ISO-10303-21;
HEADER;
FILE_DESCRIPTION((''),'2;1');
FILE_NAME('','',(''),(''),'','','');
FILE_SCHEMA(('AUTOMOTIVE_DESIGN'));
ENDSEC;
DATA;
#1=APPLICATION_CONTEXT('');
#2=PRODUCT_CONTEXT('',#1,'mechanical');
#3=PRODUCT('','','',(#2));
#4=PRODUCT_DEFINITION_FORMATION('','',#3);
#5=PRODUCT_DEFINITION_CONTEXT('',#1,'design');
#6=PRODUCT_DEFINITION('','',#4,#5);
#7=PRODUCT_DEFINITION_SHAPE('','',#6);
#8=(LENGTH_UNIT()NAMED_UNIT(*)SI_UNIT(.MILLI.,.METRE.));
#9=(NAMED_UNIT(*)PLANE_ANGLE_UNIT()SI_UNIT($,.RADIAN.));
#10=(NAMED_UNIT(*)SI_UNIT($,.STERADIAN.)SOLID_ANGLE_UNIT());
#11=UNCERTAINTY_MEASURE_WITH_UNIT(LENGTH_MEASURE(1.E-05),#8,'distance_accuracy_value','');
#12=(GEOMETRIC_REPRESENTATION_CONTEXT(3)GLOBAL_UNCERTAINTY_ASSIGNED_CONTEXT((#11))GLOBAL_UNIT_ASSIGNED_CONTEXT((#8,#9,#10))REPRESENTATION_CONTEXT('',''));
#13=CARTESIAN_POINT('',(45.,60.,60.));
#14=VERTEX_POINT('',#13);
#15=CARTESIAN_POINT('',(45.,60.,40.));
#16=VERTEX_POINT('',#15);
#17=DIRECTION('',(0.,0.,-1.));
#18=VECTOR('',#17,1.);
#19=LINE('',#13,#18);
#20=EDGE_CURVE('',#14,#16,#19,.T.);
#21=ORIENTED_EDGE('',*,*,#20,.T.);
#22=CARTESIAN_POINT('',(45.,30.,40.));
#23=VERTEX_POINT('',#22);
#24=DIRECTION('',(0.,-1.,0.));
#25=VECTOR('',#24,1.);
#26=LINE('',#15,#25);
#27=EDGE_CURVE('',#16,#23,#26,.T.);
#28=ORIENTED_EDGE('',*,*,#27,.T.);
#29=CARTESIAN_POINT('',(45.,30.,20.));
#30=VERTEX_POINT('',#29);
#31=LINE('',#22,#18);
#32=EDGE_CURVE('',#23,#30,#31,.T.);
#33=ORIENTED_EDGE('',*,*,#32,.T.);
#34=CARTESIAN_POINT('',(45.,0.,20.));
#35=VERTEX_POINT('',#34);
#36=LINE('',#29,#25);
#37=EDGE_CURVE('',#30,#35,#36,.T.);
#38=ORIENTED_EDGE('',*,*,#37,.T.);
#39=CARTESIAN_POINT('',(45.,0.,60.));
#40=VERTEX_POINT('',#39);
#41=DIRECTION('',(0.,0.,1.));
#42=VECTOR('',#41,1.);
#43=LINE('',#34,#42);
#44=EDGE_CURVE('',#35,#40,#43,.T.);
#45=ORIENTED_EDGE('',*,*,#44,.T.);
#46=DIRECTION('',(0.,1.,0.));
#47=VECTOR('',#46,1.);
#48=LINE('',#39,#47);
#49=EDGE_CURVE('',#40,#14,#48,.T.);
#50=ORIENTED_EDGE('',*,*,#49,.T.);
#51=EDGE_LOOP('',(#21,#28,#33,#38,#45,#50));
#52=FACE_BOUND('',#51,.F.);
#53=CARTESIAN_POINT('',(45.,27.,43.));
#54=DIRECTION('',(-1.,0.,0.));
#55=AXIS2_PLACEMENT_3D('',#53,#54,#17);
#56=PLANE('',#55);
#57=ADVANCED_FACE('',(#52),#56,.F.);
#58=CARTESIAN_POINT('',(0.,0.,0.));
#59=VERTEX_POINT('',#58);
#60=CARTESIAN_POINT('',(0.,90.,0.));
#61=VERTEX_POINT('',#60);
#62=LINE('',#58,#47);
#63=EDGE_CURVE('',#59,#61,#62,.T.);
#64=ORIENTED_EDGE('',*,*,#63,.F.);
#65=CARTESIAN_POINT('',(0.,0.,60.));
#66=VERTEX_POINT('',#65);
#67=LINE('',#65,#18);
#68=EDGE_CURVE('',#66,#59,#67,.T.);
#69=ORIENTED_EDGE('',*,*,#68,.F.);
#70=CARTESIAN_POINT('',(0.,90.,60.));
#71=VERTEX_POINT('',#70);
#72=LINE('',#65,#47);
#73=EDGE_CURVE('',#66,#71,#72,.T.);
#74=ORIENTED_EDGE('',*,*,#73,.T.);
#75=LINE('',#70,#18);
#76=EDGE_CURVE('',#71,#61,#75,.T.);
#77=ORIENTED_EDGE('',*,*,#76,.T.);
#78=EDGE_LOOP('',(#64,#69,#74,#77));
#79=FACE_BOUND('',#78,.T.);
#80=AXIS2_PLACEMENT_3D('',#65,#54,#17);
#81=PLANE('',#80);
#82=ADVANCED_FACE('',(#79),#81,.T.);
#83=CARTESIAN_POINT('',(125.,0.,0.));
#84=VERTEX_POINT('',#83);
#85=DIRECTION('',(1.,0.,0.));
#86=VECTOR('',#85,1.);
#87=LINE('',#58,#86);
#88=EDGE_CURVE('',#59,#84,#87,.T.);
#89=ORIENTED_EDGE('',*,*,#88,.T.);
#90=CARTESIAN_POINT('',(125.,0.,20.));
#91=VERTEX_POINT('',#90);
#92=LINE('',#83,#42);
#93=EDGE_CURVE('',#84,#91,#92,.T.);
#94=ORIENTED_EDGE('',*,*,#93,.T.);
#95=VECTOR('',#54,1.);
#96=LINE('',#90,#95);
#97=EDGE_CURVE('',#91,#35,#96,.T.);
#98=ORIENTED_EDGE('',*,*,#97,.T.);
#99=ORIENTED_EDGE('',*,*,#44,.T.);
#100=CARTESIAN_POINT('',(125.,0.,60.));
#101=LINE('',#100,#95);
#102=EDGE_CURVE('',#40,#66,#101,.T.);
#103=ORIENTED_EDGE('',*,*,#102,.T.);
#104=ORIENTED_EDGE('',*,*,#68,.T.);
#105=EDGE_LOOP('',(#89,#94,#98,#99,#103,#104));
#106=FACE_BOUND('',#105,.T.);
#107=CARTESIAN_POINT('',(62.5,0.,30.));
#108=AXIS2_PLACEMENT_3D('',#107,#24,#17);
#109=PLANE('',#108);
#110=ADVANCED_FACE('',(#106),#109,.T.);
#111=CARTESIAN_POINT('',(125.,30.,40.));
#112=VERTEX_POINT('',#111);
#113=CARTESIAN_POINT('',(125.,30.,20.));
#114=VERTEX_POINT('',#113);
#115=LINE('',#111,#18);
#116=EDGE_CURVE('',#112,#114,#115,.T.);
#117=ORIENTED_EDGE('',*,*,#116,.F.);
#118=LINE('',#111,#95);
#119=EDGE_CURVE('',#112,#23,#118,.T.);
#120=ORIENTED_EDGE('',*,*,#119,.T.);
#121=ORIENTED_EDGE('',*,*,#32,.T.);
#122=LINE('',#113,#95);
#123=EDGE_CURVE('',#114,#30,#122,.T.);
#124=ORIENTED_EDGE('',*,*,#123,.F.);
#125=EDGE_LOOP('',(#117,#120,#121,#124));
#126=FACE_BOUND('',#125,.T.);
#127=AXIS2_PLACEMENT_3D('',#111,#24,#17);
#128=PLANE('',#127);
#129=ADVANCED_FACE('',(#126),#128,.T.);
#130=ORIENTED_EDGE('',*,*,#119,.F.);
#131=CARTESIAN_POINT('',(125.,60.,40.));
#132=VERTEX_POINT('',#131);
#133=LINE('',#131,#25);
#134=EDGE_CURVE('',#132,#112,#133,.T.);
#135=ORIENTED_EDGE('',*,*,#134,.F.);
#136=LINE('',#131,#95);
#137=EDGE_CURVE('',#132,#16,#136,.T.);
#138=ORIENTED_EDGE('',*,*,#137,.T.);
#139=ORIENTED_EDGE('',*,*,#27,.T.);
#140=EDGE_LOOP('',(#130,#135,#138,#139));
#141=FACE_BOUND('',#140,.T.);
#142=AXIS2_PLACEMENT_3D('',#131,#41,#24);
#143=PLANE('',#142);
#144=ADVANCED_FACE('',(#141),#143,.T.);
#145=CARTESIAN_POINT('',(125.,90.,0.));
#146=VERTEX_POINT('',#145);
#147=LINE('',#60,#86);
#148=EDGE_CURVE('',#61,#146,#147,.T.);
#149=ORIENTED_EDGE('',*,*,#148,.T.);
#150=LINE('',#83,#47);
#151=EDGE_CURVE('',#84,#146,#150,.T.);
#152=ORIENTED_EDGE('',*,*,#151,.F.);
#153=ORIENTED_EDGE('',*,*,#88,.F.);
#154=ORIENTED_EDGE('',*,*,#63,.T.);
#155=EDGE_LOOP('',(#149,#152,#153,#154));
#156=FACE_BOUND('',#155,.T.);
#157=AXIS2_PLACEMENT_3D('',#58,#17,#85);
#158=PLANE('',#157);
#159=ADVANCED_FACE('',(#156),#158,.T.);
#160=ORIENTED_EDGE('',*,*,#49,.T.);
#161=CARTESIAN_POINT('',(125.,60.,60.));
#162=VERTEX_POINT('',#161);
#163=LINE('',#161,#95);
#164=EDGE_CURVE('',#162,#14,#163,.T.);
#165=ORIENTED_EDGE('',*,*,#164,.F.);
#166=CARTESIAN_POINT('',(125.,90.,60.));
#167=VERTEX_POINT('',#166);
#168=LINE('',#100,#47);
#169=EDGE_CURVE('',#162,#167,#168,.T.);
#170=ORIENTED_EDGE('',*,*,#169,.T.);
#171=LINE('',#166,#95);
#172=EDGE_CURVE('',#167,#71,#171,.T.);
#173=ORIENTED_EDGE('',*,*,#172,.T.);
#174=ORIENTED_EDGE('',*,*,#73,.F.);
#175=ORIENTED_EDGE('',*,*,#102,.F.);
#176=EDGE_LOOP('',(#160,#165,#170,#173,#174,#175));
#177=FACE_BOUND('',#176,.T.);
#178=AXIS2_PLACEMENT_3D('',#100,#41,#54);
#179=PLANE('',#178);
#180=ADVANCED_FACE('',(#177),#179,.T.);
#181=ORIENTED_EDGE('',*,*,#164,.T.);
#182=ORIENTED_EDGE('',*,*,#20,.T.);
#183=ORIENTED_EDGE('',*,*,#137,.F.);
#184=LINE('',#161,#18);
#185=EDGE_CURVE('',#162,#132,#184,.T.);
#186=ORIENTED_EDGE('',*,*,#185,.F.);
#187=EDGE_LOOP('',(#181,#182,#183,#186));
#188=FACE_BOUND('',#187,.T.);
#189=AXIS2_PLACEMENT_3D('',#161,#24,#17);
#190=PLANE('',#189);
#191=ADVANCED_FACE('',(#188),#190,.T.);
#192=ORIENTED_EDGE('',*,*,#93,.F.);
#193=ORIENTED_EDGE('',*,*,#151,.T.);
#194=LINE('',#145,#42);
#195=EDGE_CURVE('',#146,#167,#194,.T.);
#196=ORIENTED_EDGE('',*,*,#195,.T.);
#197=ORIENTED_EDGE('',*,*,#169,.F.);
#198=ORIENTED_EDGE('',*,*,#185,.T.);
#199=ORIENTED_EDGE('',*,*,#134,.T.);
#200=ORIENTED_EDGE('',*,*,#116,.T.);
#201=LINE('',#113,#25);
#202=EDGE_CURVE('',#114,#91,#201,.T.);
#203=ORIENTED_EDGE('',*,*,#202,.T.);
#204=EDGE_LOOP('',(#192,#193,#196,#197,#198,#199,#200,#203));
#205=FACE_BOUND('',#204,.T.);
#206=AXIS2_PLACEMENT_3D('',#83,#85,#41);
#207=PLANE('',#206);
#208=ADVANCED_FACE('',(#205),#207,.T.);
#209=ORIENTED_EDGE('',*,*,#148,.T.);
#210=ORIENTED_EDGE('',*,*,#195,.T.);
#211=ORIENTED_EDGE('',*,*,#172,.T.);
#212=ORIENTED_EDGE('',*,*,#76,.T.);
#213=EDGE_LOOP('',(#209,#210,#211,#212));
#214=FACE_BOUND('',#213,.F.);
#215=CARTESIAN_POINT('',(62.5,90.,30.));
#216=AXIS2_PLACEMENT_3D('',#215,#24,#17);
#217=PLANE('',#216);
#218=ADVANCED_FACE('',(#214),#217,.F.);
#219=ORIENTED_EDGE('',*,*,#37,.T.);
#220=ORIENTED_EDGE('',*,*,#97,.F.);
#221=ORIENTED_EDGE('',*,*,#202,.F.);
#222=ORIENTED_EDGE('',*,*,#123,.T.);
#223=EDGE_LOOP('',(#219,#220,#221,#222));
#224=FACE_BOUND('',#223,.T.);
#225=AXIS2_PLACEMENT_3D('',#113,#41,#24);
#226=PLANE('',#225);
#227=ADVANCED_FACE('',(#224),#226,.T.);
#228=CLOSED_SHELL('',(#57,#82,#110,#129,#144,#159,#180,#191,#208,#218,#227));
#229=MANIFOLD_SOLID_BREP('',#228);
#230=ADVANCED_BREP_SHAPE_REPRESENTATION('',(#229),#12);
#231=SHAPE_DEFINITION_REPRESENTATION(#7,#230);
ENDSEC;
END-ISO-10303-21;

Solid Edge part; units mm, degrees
sketch "Sketch1" plane through (0, 0, 0) normal (0, -1, 0) x (1, 0, 0)
  line L0 (125, 60) -> (0, 60)
  line L1 (0, 60) -> (0, 0)
  line L2 (0, 0) -> (125, 0)
  line L3 (125, 0) -> (125, 60)
extrude "Protrusion1" add sketch "Sketch1" against normal blind 90
sketch "Sketch2" plane through (125, 45, 30) normal (1, 0, 0) x (0, 1, 0)
  line L0 (-45, -10) -> (-45, 30)
  line L1 (-45, 30) -> (15, 30)
  line L2 (15, 30) -> (15, 10)
  line L3 (15, 10) -> (-15, 10)
  line L4 (-15, 10) -> (-15, -10)
  line L5 (-15, -10) -> (-45, -10)
extrude "ExtrudedCutout_1" cut sketch "Sketch2" against normal blind 80
